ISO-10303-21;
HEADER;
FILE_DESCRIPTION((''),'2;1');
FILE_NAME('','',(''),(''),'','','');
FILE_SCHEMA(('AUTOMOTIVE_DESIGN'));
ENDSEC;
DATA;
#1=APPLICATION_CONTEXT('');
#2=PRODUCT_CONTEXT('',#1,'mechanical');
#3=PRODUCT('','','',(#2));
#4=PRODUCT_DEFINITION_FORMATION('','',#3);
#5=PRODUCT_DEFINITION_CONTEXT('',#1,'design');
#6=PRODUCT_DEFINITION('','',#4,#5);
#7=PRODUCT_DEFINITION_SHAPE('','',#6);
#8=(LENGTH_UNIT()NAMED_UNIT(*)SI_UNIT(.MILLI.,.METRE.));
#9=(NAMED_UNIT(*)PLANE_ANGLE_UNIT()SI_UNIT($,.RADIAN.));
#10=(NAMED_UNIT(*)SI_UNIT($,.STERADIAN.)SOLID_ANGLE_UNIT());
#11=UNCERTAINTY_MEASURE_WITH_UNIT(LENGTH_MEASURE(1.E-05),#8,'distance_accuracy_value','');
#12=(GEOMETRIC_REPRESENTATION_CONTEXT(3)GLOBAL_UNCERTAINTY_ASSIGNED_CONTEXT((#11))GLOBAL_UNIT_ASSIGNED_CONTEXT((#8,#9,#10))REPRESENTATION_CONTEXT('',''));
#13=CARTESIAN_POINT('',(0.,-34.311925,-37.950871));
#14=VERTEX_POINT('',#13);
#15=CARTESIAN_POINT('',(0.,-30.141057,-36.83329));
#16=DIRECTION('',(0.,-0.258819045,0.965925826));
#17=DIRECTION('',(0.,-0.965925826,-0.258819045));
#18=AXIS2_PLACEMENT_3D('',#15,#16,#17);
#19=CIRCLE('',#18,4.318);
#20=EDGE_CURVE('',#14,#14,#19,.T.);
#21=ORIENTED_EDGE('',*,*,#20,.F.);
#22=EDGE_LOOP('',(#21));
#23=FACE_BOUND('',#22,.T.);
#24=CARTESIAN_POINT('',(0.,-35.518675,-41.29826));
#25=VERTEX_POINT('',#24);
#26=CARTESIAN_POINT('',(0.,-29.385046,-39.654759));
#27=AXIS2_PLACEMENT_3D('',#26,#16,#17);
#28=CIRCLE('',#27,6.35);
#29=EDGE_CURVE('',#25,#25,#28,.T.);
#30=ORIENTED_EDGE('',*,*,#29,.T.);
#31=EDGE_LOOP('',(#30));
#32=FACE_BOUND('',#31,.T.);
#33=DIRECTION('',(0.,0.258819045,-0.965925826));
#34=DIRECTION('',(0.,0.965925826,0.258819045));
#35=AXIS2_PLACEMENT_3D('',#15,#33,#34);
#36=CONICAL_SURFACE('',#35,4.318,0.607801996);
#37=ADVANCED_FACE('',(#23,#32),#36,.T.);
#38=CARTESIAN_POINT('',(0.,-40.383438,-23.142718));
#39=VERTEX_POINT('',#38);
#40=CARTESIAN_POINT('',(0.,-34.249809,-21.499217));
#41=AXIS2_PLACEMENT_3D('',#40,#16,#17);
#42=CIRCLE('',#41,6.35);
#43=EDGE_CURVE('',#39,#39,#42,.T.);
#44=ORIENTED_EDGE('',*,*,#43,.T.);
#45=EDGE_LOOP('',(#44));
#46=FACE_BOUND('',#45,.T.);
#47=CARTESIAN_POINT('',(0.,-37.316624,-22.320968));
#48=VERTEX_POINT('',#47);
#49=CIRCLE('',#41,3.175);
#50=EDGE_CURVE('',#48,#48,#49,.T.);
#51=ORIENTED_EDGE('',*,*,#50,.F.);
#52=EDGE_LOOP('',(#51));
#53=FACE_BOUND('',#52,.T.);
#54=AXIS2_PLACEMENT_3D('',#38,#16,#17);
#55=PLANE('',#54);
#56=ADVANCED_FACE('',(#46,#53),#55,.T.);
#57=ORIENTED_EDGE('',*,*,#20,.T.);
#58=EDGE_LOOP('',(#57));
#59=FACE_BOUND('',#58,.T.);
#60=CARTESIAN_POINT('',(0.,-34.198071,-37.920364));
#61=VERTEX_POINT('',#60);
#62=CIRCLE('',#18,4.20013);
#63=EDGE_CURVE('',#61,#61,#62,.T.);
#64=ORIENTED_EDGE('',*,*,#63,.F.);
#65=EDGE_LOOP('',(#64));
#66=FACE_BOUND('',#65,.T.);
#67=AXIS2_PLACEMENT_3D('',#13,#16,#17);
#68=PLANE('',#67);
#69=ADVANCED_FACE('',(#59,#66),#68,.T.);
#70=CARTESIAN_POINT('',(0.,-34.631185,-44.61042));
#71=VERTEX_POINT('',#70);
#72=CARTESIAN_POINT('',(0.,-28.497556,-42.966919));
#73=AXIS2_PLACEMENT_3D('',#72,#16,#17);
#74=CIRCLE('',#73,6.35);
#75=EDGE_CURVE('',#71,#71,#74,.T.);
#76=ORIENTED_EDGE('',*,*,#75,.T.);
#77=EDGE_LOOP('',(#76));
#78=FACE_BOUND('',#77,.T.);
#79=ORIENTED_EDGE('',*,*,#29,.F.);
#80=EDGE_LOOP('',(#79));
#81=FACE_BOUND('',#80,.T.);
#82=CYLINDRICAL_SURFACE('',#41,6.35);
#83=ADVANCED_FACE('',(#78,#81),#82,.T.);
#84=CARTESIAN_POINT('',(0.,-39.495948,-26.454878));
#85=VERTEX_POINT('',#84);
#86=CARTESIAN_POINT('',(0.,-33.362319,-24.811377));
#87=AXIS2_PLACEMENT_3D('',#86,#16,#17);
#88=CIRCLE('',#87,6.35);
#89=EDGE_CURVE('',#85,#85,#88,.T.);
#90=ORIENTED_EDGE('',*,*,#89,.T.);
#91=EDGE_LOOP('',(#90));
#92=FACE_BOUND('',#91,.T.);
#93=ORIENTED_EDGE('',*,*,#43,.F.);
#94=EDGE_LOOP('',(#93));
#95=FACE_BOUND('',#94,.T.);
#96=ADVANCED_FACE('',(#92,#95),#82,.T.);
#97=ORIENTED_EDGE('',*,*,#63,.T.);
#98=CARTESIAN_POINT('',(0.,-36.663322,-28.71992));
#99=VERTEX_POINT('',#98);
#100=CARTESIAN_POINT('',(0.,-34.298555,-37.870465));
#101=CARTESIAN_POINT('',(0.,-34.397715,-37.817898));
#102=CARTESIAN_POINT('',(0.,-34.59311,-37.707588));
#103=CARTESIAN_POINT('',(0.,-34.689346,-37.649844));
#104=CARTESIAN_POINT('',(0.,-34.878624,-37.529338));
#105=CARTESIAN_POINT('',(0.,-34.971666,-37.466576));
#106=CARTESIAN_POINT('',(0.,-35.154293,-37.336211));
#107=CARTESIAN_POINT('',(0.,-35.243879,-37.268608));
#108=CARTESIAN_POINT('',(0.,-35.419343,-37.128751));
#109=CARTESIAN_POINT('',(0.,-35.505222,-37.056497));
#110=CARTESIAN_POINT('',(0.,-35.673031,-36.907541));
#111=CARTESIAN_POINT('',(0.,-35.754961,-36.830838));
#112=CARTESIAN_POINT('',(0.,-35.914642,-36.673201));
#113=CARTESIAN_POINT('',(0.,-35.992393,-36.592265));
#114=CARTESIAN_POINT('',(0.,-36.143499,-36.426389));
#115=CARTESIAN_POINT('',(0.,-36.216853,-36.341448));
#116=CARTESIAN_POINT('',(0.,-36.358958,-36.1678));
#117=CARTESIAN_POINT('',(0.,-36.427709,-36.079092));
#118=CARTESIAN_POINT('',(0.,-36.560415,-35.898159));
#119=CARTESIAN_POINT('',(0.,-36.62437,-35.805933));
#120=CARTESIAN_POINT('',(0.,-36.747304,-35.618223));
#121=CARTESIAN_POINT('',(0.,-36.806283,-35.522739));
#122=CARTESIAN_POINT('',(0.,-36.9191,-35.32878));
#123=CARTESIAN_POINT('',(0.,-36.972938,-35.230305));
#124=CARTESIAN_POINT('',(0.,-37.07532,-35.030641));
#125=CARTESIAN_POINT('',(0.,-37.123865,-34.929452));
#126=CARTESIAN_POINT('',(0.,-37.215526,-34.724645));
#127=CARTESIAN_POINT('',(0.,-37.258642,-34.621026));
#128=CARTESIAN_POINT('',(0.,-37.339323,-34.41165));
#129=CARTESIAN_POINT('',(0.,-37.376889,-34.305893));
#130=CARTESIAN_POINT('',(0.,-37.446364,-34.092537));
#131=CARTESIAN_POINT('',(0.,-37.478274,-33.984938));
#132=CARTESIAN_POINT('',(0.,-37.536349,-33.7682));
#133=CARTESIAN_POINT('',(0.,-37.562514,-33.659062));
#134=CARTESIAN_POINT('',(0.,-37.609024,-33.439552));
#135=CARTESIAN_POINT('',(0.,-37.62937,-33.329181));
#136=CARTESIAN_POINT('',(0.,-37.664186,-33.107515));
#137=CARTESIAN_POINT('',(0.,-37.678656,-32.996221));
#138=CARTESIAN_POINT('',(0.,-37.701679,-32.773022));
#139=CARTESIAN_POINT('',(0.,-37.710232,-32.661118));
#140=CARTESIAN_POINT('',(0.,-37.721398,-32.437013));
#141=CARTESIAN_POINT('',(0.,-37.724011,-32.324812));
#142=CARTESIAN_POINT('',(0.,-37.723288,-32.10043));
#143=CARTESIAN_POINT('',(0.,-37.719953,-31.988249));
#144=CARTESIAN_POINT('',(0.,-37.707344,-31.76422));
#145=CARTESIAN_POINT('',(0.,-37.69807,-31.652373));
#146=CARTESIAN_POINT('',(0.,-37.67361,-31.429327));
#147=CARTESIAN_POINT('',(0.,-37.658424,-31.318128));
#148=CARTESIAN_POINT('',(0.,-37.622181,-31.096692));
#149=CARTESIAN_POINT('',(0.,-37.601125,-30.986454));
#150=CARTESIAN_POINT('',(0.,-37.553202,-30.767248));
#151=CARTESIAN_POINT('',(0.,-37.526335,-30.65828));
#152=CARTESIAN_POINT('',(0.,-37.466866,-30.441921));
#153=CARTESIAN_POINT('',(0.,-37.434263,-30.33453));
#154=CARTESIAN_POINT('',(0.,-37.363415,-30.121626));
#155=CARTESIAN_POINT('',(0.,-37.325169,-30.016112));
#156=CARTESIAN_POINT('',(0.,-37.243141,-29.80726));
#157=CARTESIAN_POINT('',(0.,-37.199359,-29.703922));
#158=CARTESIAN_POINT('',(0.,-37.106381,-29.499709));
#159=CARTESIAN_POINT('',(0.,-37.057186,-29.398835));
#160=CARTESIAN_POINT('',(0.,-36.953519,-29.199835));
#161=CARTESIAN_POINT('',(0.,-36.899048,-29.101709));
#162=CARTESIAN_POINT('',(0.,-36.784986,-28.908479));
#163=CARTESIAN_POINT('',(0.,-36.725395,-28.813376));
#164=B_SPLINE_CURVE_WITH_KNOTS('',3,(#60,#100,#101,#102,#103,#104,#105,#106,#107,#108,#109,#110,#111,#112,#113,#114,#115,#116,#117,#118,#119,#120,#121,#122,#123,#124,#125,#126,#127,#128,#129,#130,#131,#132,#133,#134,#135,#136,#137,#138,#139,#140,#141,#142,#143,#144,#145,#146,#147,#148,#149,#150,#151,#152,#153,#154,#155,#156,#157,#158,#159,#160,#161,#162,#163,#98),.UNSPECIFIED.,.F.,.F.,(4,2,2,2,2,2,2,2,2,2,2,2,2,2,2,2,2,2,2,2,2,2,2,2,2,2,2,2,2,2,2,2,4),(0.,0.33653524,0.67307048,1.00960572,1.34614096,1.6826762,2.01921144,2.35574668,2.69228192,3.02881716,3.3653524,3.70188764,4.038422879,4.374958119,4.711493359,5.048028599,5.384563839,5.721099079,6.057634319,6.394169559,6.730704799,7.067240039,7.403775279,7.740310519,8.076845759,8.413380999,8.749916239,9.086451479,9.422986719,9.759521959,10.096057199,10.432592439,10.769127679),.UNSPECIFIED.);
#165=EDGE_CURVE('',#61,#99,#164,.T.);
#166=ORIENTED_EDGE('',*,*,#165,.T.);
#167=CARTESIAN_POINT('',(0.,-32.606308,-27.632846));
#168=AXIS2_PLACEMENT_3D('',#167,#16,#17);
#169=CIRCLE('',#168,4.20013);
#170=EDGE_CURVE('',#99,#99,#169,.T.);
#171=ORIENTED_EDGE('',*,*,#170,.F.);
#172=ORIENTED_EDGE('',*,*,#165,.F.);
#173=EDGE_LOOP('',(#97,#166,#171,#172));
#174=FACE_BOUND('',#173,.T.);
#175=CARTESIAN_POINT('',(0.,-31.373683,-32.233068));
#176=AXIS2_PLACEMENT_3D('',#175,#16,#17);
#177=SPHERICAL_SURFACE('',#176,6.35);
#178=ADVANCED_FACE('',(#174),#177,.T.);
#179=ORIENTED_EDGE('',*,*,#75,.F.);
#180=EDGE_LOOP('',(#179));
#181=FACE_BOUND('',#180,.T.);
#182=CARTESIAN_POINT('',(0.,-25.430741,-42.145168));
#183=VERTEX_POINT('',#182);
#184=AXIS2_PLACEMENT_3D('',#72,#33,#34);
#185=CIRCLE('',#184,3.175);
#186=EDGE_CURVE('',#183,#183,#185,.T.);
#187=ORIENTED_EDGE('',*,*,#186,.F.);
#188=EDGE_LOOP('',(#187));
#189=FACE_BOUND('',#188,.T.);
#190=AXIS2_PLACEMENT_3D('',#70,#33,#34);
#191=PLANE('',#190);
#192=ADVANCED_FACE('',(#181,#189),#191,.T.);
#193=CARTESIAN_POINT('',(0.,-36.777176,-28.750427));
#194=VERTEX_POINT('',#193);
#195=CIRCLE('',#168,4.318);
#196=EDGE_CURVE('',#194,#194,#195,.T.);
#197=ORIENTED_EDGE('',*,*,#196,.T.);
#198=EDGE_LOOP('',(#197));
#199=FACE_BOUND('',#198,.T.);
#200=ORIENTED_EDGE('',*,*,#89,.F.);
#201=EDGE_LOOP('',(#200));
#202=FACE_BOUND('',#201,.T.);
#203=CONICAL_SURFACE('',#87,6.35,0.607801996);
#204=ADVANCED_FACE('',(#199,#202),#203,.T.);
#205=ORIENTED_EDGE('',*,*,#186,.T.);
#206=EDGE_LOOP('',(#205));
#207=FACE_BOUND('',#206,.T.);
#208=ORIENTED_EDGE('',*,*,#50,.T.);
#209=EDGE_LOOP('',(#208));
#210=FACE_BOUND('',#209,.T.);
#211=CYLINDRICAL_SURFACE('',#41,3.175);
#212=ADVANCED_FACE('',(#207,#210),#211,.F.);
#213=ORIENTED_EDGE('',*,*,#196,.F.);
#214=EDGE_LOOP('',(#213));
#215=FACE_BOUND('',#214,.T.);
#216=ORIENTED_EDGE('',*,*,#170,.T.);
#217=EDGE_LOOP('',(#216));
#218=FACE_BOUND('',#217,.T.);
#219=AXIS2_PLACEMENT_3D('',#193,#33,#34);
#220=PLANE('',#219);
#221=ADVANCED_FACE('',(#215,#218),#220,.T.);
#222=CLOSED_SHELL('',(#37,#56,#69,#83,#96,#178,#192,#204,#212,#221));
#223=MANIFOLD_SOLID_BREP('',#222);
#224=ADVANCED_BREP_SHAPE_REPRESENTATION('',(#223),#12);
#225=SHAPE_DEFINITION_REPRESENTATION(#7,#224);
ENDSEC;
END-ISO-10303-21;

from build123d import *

# Parameters (mm, degrees)
F_1_4_CLEARANCE_HOLE1_D = 6.35


with BuildPart() as part:
    # Sketch1 → Revolve1 (revolve)
    with BuildSketch(Plane(origin=(0, 0, 0), x_dir=(0, 0, -1), z_dir=(1, 0, 0))):
        with BuildLine():
            Line((23.142718313, -40.383438187), (26.454877971, -39.495947681))
            Line((26.454877971, -39.495947681), (28.75042701, -36.777175972))
            Line((28.75042701, -36.777175972), (28.719920063, -36.663322494))
            ThreePointArc((28.719920063, -36.663322494), (33.876569057, -37.507311548), (37.920363558, -34.198071089))
            Line((37.920363558, -34.198071089), (37.950870506, -34.311924567))
            Line((37.950870506, -34.311924567), (41.298260144, -35.518675415))
            Line((41.298260144, -35.518675415), (44.610419802, -34.63118491))
            Line((44.610419802, -34.63118491), (42.966918866, -28.497555913))
            Line((42.966918866, -28.497555913), (36.833289869, -30.141056849))
            Line((36.833289869, -30.141056849), (37.655040337, -33.207871348))
            Line((37.655040337, -33.207871348), (28.454596842, -35.673122752))
            Line((28.454596842, -35.673122752), (27.632846373, -32.606308254))
            Line((27.632846373, -32.606308254), (21.499217376, -34.24980919))
            Line((21.499217376, -34.24980919), (23.142718313, -40.383438187))
        make_face()
    revolve(axis=Axis((0, -34.24980919, -21.499217376), (0, 0.258819045102523, -0.9659258262890678)))

    # 1/4 Clearance Hole1 (through all)
    with Locations(Plane(origin=(0, 3.080502166, -11.496590595), x_dir=(1, 0, 0), z_dir=(0, -0.25881904510252046, 0.9659258262890684))):
        with Locations((0, -38.647182154)):
            Hole(F_1_4_CLEARANCE_HOLE1_D / 2)


solid = part.part
